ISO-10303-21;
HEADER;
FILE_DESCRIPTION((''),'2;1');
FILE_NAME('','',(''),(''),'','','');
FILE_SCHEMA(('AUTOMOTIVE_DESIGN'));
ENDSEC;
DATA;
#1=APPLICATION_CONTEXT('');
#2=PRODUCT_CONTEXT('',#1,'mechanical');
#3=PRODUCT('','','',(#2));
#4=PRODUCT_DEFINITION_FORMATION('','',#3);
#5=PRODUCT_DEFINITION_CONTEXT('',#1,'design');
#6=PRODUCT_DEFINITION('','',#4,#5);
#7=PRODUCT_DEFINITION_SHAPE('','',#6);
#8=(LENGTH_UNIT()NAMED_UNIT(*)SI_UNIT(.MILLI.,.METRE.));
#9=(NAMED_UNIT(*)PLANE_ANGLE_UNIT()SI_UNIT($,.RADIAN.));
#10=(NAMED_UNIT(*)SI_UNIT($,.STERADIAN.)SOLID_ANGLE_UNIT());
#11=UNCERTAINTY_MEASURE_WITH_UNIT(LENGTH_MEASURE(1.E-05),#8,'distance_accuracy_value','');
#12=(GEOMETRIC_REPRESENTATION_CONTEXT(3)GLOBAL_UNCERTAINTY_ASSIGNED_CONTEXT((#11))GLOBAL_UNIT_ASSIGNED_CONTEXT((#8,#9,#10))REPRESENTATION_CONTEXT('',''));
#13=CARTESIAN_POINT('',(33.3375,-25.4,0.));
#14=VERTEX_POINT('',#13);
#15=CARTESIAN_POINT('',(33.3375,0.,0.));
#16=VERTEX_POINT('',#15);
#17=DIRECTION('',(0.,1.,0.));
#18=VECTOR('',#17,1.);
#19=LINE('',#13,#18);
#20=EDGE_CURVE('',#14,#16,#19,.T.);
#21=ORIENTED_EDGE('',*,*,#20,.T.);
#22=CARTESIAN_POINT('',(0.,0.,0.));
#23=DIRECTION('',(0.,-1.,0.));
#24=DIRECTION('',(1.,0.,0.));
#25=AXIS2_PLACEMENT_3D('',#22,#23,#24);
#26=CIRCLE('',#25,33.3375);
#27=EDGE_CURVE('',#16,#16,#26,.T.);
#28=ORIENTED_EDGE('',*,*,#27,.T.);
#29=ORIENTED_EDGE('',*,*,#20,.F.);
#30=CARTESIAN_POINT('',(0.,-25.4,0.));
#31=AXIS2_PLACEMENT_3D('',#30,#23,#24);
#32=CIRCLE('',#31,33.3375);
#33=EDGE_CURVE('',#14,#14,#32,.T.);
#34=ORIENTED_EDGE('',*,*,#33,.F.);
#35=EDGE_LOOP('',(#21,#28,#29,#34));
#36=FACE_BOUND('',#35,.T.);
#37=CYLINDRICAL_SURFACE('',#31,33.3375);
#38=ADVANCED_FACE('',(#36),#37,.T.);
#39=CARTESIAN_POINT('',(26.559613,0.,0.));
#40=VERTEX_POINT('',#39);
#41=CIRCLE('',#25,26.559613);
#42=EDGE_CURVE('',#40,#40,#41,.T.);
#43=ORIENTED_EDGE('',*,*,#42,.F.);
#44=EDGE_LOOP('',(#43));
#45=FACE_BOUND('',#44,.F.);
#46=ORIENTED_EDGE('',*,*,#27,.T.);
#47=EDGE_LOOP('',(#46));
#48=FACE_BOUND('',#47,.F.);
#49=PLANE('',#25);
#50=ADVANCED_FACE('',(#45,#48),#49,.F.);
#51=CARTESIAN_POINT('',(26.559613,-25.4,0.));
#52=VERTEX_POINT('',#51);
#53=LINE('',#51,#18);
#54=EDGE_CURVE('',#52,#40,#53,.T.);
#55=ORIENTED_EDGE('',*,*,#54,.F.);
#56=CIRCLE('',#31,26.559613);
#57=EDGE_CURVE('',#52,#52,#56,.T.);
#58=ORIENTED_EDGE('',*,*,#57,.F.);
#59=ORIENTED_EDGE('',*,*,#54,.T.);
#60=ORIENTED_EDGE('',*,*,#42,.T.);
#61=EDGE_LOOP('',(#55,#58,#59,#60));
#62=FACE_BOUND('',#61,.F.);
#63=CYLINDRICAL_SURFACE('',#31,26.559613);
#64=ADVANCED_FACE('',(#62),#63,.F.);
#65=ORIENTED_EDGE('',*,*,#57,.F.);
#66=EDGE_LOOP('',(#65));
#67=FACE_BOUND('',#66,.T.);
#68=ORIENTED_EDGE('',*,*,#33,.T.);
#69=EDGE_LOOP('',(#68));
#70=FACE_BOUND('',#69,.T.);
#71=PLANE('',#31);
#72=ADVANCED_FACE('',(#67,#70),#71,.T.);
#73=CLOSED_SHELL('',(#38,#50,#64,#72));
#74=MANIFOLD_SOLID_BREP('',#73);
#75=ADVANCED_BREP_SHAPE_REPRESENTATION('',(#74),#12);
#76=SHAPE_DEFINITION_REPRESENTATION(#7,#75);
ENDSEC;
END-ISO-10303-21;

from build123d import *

# Parameters (mm, degrees)
F0_W     = 175.97738
F0_H     = 127.75816
F1_DEPTH = 25.4
F2_R     = 33.3375
F3_DEPTH = 25.4
F4_R     = 26.559613
F5_DEPTH = 25.4


with BuildPart() as f1:
    # F0 (on Front) → F1 (new body)
    with BuildSketch(Plane.XZ):
        Rectangle(F0_W, F0_H)
    extrude(amount=F1_DEPTH)

    # F2 (on face) → F3 (intersect)
    with BuildSketch(Plane.XZ.offset(25.4)):
        Circle(F2_R)
    extrude(amount=-F3_DEPTH, mode=Mode.INTERSECT)

    # F4 (on face) → F5 (cut)
    with BuildSketch(Plane.XZ.offset(25.4)):
        Circle(F4_R)
    extrude(amount=-F5_DEPTH, mode=Mode.SUBTRACT)


solid = f1.part
